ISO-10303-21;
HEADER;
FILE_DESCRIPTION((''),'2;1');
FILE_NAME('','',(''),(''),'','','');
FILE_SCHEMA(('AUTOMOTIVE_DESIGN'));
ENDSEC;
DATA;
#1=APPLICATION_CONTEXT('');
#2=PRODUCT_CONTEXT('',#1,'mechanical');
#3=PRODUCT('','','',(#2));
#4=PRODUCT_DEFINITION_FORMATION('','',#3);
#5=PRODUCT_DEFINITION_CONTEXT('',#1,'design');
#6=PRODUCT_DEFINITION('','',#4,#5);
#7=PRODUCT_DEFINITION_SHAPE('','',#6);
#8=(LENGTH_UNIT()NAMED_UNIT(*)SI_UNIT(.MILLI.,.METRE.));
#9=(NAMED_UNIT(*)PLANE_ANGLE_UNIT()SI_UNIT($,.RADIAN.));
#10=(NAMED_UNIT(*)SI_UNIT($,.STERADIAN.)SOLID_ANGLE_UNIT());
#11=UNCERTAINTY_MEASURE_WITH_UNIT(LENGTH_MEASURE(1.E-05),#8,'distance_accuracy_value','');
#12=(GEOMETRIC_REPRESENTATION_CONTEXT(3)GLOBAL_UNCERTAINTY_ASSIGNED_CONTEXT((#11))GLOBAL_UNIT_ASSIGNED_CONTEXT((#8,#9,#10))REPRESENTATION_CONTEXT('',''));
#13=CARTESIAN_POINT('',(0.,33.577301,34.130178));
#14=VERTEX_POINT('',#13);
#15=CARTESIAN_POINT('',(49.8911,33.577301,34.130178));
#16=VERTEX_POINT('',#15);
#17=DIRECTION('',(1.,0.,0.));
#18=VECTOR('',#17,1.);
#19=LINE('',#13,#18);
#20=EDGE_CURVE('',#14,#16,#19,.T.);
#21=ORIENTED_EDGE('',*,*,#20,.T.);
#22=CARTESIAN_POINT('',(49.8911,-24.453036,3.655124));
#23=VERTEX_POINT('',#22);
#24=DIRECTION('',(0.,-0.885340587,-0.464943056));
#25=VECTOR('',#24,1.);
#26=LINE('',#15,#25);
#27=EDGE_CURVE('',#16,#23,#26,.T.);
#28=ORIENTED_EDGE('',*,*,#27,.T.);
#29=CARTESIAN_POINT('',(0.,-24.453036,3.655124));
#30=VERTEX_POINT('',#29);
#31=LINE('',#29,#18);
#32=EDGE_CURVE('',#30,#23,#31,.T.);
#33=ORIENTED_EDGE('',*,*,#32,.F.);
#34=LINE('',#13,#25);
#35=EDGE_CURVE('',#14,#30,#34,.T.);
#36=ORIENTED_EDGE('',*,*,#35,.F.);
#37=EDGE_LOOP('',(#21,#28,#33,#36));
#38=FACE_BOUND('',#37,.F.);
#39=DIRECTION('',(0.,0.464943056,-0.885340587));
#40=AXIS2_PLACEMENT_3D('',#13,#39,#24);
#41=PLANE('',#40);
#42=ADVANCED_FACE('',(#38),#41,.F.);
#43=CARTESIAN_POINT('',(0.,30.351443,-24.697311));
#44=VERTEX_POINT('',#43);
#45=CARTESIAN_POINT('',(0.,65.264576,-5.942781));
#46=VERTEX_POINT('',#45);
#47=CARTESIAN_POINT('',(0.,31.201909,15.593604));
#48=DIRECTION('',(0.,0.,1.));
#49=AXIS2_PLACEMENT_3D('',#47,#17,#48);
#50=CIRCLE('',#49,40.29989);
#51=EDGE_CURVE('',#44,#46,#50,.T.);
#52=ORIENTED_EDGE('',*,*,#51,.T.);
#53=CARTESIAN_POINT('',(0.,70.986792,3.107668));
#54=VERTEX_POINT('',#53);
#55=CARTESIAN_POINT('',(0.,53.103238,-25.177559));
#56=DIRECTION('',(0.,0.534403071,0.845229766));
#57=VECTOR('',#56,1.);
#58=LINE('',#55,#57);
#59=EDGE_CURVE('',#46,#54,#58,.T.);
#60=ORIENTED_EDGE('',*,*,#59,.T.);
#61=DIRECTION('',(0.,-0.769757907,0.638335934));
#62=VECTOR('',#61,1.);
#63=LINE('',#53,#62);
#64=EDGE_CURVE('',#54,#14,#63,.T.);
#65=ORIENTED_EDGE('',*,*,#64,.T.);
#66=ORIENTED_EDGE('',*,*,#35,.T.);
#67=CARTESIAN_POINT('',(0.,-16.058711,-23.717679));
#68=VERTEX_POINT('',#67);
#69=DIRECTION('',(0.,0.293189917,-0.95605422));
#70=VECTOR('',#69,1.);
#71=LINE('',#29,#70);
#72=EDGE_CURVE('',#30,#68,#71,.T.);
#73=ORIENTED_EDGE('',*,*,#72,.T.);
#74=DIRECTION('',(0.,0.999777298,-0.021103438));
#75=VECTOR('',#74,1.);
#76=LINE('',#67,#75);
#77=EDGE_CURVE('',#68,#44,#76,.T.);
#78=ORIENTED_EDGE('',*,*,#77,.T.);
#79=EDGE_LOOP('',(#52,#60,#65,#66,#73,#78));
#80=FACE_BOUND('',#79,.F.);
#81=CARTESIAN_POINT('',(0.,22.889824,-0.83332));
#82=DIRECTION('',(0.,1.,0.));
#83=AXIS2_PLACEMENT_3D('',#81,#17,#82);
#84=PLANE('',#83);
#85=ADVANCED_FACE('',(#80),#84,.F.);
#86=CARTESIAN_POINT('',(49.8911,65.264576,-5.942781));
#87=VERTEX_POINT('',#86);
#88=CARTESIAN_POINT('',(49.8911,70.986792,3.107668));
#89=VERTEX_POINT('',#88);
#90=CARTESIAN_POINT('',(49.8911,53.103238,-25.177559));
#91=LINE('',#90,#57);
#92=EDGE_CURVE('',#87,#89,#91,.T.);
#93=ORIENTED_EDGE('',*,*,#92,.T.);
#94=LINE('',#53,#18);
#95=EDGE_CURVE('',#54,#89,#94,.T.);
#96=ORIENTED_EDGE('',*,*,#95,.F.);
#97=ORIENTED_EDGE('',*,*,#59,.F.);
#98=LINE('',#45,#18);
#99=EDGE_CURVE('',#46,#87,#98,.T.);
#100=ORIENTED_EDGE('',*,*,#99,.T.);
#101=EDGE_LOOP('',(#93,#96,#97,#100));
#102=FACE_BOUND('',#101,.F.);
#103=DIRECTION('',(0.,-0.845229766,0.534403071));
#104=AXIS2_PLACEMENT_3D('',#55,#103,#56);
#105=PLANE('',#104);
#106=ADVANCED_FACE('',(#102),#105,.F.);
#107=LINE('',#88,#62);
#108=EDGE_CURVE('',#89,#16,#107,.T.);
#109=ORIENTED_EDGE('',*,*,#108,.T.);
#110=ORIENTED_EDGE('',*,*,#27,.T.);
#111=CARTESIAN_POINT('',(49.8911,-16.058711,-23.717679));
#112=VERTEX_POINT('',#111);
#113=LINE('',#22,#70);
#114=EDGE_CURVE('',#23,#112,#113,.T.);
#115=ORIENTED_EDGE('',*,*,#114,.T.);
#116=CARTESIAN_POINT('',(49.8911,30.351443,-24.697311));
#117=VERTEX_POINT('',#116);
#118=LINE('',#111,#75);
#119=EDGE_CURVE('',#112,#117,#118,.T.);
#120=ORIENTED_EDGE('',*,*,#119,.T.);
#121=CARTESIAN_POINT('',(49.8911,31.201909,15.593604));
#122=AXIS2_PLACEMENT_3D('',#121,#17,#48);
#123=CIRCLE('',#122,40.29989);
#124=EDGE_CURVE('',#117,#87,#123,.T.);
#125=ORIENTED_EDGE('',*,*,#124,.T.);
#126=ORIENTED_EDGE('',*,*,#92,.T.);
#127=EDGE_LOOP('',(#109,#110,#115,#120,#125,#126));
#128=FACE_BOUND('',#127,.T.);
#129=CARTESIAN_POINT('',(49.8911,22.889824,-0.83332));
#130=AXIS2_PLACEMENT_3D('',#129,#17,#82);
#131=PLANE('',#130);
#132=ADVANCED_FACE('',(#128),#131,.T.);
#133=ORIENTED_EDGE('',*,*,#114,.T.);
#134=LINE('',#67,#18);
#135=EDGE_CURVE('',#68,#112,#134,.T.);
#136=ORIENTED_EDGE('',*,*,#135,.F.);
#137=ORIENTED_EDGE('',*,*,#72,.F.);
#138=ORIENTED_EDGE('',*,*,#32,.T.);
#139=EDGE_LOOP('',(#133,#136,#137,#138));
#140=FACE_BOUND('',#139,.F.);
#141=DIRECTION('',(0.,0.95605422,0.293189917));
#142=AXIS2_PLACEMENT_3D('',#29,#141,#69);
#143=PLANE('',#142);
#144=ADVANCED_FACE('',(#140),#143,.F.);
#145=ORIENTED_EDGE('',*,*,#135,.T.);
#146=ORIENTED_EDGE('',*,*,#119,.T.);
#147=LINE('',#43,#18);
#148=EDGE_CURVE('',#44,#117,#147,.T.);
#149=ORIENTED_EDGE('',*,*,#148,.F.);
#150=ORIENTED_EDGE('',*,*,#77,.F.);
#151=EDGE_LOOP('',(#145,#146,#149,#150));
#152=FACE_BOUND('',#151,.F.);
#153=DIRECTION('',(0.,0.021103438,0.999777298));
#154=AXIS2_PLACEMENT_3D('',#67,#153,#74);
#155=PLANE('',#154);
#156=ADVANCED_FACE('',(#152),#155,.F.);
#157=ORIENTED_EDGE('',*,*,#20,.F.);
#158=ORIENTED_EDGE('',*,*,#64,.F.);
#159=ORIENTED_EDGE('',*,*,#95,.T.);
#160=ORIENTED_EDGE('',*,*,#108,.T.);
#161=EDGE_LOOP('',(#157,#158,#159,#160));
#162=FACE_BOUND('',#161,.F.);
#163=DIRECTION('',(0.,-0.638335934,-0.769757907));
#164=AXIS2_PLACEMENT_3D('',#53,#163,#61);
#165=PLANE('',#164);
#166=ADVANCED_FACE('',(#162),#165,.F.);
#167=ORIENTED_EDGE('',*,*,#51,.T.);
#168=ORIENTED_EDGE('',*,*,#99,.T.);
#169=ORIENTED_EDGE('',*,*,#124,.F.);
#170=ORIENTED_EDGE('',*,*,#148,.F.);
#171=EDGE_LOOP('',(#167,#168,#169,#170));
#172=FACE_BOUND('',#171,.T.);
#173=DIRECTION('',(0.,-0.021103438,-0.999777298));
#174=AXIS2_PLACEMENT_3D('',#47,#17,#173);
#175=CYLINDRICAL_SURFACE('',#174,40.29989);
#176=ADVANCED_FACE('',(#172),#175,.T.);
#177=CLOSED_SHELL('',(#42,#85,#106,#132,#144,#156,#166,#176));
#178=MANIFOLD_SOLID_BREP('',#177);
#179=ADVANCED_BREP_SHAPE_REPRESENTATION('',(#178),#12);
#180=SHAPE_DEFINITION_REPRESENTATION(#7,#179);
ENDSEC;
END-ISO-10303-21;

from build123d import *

# Parameters (mm, degrees)
F1_DEPTH = 49.8911
F2_R     = 40.29989


with BuildPart() as f1:
    # F0 (on Right) → F1 (new body)
    with BuildSketch(Plane.YZ):
        Polygon((33.577301, 34.130178), (-24.453036, 3.655124), (-16.058711, -23.717679), (53.103238, -25.177559), (70.986792, 3.107668), align=None)
    extrude(amount=F1_DEPTH)

    # F2
    f2_edges = [f1.edges().sort_by_distance(p)[0] for p in [
        (24.94555, 53.103238, -25.177559),
    ]]
    fillet(f2_edges, radius=F2_R)


solid = f1.part
